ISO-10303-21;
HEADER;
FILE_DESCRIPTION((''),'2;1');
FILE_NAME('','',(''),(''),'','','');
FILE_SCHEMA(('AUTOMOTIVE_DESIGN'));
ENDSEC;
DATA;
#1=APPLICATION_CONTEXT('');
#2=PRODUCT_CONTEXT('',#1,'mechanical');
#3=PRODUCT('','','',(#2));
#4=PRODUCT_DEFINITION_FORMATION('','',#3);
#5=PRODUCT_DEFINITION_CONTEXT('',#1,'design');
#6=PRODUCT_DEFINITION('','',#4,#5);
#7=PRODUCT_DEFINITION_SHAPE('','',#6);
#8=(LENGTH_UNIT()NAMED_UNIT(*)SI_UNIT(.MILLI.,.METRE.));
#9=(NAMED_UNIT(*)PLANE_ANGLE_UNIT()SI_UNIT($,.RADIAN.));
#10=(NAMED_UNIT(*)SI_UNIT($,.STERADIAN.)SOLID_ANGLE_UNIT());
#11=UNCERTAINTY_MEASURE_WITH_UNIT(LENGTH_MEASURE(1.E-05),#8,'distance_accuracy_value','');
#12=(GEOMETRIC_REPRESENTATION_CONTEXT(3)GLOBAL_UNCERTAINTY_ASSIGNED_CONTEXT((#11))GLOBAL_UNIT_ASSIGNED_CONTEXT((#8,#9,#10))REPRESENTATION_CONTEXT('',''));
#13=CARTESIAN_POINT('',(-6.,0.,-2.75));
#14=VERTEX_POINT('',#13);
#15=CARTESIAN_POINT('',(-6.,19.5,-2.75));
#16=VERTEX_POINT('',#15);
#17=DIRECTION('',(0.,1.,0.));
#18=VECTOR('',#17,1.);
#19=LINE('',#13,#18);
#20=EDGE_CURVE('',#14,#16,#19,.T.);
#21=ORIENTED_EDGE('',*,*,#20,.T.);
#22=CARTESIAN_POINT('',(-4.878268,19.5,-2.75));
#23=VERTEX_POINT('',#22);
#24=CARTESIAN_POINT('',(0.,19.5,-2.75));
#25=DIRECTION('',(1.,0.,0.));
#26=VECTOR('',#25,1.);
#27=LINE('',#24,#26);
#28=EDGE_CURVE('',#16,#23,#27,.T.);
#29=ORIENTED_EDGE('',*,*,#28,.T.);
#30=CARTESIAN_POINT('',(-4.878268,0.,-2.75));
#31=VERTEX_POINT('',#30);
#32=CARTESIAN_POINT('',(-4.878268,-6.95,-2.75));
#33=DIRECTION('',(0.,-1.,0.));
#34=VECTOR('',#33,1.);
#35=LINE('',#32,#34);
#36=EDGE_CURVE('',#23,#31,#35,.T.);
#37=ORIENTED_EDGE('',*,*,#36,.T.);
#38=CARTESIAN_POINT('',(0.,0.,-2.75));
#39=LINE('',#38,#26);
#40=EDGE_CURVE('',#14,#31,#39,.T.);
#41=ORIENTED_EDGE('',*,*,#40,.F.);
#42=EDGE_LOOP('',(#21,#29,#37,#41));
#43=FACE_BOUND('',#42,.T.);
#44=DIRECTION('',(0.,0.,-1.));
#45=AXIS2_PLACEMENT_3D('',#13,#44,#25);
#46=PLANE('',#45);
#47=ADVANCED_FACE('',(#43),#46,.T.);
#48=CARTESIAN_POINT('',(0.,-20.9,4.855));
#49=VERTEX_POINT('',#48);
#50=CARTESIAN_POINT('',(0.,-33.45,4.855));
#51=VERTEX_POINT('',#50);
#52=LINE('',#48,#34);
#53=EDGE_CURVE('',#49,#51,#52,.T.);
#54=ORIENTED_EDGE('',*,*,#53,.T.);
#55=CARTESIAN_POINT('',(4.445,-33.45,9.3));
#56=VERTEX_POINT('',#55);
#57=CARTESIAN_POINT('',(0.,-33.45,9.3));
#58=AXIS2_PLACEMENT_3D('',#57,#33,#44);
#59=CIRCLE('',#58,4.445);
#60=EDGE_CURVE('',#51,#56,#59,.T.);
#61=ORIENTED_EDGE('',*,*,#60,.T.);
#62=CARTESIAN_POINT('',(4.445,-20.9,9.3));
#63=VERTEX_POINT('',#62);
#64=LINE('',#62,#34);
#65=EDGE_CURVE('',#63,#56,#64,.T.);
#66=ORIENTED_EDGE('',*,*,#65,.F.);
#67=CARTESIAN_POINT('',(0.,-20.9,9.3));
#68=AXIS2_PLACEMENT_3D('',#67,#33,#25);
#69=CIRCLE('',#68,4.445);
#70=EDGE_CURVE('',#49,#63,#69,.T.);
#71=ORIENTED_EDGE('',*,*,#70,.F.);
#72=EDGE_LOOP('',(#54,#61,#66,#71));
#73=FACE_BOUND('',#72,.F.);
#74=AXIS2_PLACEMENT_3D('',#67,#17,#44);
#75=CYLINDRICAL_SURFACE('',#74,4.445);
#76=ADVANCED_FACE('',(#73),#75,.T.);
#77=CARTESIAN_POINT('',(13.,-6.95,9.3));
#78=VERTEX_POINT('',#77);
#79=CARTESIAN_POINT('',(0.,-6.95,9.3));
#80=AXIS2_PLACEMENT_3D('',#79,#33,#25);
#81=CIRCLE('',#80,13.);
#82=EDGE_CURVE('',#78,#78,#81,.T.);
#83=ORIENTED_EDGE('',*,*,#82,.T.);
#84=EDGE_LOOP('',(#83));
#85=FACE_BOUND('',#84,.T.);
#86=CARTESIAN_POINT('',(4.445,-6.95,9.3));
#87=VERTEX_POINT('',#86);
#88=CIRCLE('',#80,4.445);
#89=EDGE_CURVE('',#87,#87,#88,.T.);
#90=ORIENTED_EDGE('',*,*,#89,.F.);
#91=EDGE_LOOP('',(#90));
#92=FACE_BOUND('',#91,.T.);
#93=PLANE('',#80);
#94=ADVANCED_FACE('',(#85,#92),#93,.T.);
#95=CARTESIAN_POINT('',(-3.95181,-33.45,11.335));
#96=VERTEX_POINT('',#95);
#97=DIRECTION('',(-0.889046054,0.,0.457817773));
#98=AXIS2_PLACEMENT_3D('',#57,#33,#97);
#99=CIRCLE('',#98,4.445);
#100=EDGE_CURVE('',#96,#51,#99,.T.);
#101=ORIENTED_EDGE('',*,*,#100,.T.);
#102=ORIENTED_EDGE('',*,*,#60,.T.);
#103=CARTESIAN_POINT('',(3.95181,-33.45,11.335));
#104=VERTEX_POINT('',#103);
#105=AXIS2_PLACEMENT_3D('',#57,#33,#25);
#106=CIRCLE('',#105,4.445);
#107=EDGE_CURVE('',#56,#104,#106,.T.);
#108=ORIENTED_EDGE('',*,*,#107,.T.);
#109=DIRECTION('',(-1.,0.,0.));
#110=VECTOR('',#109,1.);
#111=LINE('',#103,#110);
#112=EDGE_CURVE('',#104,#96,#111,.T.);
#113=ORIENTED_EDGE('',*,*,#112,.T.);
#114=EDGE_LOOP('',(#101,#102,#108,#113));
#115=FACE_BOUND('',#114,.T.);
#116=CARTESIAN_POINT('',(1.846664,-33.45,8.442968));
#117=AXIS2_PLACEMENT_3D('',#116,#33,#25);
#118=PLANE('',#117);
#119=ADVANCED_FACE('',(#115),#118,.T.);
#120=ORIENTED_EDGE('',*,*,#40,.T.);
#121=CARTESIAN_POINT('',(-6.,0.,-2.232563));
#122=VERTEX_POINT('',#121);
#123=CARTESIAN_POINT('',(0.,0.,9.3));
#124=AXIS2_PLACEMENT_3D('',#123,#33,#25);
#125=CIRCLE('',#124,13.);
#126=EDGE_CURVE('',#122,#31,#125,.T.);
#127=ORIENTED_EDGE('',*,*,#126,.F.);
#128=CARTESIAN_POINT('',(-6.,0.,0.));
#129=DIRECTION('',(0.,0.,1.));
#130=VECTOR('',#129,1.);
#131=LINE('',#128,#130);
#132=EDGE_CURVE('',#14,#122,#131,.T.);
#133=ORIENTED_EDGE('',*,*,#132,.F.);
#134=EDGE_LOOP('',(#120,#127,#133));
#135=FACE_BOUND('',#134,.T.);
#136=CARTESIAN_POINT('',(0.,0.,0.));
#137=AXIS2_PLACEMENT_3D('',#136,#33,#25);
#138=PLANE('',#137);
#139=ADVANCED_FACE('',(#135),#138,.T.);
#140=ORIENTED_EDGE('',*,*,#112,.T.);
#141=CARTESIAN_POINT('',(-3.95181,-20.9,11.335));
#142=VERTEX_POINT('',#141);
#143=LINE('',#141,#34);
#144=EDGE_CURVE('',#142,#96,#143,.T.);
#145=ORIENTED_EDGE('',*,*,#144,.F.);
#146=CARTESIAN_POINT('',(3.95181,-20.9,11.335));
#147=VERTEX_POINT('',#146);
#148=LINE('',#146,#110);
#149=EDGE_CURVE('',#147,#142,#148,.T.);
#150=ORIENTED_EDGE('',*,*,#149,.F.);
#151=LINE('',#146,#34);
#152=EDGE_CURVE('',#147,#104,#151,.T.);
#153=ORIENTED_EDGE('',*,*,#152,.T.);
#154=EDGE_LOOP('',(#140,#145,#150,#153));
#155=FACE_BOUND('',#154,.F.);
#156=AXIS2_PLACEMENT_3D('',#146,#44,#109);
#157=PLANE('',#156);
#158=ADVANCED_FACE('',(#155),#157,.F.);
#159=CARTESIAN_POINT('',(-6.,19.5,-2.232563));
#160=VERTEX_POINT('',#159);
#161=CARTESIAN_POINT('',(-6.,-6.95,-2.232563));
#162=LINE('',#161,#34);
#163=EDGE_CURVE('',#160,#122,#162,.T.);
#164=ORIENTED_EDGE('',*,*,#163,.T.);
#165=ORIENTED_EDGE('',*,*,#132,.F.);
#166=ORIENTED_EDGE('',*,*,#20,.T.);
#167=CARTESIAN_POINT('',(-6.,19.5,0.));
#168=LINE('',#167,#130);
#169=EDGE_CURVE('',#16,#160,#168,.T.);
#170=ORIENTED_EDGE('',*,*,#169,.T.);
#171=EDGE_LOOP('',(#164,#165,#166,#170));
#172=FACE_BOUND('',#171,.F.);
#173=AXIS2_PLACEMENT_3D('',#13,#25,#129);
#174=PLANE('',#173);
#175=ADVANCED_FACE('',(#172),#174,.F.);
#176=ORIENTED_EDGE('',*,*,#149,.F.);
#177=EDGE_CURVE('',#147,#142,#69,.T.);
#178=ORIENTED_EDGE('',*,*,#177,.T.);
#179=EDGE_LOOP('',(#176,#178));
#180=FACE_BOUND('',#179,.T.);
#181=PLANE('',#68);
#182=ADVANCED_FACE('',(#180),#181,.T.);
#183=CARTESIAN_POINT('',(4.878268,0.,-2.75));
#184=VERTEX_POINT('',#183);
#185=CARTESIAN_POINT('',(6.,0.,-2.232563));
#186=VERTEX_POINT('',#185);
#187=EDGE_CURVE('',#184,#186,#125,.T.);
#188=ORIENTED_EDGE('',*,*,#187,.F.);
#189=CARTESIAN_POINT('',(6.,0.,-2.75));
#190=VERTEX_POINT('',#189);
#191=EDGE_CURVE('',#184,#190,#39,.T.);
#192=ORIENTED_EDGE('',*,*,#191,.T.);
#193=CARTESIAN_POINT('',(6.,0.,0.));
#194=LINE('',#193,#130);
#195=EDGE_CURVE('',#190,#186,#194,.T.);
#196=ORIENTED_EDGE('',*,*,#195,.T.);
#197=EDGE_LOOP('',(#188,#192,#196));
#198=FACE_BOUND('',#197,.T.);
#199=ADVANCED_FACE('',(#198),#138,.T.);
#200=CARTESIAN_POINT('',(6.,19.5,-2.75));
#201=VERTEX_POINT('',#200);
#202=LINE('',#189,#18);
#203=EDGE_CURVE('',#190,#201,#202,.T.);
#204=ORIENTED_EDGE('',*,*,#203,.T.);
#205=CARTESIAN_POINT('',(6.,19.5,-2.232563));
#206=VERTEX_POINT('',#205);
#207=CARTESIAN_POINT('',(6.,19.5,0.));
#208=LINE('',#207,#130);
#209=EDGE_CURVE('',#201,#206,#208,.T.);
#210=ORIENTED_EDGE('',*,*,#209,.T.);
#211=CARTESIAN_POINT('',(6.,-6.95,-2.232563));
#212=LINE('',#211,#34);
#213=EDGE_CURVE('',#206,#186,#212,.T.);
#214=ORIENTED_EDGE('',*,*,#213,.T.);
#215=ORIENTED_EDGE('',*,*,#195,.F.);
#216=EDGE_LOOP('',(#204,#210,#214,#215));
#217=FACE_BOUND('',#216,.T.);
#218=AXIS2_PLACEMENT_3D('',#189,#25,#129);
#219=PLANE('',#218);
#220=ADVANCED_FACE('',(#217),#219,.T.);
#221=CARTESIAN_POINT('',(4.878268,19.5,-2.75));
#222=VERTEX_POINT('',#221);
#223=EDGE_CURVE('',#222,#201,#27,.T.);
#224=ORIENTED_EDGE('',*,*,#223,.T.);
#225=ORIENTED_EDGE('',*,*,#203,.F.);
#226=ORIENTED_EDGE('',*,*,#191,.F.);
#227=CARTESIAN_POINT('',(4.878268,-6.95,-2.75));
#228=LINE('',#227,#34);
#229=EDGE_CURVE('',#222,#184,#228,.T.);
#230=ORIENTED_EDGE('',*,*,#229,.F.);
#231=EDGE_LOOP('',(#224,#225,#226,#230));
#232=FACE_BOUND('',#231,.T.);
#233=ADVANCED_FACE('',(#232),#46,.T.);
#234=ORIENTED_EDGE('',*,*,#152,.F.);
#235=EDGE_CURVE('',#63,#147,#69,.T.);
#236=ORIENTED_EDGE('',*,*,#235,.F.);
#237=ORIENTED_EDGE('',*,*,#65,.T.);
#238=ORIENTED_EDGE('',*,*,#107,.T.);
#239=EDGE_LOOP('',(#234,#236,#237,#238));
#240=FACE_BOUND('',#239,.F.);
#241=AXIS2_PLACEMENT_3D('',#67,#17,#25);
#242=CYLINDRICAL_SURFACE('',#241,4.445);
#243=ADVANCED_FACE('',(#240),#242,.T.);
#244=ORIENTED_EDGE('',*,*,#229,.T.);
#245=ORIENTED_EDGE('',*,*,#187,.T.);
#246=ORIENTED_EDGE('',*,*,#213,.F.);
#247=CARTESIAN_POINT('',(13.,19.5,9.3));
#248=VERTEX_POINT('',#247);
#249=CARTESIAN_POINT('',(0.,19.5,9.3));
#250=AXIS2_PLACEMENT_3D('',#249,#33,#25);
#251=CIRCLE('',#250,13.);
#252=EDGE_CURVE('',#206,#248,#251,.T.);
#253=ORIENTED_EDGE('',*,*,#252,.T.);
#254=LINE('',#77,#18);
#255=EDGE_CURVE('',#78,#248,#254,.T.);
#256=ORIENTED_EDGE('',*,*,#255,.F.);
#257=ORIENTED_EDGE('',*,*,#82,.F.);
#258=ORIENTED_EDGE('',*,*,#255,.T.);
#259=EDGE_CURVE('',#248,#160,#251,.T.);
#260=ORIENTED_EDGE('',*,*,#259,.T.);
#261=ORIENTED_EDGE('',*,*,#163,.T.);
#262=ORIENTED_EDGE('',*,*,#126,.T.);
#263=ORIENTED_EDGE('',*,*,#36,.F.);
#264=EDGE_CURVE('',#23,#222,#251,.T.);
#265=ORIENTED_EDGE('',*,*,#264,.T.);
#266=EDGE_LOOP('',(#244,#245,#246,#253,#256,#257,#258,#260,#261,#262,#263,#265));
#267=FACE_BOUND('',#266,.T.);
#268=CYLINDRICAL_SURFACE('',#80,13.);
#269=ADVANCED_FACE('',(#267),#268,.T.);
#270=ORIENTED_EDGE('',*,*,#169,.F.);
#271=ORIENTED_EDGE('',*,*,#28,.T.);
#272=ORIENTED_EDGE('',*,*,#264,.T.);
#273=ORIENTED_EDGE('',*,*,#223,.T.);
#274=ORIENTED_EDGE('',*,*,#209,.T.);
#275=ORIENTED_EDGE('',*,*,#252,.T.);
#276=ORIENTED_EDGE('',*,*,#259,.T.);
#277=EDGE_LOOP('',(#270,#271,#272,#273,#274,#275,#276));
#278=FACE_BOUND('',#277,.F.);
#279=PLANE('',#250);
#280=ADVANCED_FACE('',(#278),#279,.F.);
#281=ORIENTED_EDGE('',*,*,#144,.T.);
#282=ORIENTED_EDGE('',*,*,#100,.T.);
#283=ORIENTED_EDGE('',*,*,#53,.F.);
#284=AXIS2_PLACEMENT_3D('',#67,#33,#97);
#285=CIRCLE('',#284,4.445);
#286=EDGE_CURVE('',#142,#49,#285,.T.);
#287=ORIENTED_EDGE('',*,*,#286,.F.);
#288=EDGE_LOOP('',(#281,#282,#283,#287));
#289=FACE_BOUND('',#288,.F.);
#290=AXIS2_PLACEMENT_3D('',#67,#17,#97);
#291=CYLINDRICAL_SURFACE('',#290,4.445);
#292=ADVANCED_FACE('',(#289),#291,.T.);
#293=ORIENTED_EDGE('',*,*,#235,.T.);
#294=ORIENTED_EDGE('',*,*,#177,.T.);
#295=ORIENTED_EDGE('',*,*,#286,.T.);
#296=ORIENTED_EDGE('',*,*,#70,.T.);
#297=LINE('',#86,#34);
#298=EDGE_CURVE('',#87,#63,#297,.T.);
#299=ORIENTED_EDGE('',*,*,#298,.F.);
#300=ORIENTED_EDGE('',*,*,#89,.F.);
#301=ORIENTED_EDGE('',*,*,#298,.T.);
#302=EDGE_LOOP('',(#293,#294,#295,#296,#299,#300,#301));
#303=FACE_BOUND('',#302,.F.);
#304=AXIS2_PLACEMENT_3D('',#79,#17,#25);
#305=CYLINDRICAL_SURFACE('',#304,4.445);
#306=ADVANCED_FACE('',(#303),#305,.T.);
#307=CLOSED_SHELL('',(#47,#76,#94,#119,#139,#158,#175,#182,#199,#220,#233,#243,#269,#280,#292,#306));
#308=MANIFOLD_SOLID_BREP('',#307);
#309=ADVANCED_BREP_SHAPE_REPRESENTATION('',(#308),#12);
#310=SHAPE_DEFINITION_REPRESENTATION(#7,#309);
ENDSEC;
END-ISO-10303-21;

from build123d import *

# Parameters (mm, degrees)
F0_W     = 12
F0_H     = 5.5
F1_DEPTH = 19.5
F3_R     = 13
F4_DEPTH = 26.45
F5_R     = 4.445
F6_DEPTH = 13.95
F9_DEPTH = 12.55


with BuildPart() as f1:
    # F0 (on Front) → F1 (new body)
    with BuildSketch(Plane.XZ):
        Rectangle(F0_W, F0_H)
    extrude(amount=-F1_DEPTH)

    # F3 (on offset) → F4 (join, through all)
    with BuildSketch(Plane.XZ.offset(6.95)):
        with Locations((0, 9.3)):
            Circle(F3_R)
    extrude(amount=-F4_DEPTH)

    # F5 (on offset) → F6 (join)
    with BuildSketch(Plane.XZ.offset(6.95)):
        with Locations((0, 9.3)):
            Circle(F5_R)
    extrude(amount=F6_DEPTH)

    # F8 (on offset) → F9 (join)
    with BuildSketch(Plane.XZ.offset(20.9)):
        with BuildLine():
            ThreePointArc((0, 4.855), (3.1430896424, 6.1569103576), (4.445, 9.3))
            ThreePointArc((4.445, 9.3), (4.3199432386, 10.3469553071), (3.951809712, 11.335))
            Line((3.951809712, 11.335), (0, 11.335))
            Line((0, 11.335), (0, 4.855))
        make_face()
        with BuildLine():
            ThreePointArc((-3.951809712, 11.335), (-3.7949703556, 6.9856480389), (0, 4.855))
            Line((0, 4.855), (0, 11.335))
            Line((0, 11.335), (-3.951809712, 11.335))
        make_face()
    extrude(amount=F9_DEPTH)


solid = f1.part
